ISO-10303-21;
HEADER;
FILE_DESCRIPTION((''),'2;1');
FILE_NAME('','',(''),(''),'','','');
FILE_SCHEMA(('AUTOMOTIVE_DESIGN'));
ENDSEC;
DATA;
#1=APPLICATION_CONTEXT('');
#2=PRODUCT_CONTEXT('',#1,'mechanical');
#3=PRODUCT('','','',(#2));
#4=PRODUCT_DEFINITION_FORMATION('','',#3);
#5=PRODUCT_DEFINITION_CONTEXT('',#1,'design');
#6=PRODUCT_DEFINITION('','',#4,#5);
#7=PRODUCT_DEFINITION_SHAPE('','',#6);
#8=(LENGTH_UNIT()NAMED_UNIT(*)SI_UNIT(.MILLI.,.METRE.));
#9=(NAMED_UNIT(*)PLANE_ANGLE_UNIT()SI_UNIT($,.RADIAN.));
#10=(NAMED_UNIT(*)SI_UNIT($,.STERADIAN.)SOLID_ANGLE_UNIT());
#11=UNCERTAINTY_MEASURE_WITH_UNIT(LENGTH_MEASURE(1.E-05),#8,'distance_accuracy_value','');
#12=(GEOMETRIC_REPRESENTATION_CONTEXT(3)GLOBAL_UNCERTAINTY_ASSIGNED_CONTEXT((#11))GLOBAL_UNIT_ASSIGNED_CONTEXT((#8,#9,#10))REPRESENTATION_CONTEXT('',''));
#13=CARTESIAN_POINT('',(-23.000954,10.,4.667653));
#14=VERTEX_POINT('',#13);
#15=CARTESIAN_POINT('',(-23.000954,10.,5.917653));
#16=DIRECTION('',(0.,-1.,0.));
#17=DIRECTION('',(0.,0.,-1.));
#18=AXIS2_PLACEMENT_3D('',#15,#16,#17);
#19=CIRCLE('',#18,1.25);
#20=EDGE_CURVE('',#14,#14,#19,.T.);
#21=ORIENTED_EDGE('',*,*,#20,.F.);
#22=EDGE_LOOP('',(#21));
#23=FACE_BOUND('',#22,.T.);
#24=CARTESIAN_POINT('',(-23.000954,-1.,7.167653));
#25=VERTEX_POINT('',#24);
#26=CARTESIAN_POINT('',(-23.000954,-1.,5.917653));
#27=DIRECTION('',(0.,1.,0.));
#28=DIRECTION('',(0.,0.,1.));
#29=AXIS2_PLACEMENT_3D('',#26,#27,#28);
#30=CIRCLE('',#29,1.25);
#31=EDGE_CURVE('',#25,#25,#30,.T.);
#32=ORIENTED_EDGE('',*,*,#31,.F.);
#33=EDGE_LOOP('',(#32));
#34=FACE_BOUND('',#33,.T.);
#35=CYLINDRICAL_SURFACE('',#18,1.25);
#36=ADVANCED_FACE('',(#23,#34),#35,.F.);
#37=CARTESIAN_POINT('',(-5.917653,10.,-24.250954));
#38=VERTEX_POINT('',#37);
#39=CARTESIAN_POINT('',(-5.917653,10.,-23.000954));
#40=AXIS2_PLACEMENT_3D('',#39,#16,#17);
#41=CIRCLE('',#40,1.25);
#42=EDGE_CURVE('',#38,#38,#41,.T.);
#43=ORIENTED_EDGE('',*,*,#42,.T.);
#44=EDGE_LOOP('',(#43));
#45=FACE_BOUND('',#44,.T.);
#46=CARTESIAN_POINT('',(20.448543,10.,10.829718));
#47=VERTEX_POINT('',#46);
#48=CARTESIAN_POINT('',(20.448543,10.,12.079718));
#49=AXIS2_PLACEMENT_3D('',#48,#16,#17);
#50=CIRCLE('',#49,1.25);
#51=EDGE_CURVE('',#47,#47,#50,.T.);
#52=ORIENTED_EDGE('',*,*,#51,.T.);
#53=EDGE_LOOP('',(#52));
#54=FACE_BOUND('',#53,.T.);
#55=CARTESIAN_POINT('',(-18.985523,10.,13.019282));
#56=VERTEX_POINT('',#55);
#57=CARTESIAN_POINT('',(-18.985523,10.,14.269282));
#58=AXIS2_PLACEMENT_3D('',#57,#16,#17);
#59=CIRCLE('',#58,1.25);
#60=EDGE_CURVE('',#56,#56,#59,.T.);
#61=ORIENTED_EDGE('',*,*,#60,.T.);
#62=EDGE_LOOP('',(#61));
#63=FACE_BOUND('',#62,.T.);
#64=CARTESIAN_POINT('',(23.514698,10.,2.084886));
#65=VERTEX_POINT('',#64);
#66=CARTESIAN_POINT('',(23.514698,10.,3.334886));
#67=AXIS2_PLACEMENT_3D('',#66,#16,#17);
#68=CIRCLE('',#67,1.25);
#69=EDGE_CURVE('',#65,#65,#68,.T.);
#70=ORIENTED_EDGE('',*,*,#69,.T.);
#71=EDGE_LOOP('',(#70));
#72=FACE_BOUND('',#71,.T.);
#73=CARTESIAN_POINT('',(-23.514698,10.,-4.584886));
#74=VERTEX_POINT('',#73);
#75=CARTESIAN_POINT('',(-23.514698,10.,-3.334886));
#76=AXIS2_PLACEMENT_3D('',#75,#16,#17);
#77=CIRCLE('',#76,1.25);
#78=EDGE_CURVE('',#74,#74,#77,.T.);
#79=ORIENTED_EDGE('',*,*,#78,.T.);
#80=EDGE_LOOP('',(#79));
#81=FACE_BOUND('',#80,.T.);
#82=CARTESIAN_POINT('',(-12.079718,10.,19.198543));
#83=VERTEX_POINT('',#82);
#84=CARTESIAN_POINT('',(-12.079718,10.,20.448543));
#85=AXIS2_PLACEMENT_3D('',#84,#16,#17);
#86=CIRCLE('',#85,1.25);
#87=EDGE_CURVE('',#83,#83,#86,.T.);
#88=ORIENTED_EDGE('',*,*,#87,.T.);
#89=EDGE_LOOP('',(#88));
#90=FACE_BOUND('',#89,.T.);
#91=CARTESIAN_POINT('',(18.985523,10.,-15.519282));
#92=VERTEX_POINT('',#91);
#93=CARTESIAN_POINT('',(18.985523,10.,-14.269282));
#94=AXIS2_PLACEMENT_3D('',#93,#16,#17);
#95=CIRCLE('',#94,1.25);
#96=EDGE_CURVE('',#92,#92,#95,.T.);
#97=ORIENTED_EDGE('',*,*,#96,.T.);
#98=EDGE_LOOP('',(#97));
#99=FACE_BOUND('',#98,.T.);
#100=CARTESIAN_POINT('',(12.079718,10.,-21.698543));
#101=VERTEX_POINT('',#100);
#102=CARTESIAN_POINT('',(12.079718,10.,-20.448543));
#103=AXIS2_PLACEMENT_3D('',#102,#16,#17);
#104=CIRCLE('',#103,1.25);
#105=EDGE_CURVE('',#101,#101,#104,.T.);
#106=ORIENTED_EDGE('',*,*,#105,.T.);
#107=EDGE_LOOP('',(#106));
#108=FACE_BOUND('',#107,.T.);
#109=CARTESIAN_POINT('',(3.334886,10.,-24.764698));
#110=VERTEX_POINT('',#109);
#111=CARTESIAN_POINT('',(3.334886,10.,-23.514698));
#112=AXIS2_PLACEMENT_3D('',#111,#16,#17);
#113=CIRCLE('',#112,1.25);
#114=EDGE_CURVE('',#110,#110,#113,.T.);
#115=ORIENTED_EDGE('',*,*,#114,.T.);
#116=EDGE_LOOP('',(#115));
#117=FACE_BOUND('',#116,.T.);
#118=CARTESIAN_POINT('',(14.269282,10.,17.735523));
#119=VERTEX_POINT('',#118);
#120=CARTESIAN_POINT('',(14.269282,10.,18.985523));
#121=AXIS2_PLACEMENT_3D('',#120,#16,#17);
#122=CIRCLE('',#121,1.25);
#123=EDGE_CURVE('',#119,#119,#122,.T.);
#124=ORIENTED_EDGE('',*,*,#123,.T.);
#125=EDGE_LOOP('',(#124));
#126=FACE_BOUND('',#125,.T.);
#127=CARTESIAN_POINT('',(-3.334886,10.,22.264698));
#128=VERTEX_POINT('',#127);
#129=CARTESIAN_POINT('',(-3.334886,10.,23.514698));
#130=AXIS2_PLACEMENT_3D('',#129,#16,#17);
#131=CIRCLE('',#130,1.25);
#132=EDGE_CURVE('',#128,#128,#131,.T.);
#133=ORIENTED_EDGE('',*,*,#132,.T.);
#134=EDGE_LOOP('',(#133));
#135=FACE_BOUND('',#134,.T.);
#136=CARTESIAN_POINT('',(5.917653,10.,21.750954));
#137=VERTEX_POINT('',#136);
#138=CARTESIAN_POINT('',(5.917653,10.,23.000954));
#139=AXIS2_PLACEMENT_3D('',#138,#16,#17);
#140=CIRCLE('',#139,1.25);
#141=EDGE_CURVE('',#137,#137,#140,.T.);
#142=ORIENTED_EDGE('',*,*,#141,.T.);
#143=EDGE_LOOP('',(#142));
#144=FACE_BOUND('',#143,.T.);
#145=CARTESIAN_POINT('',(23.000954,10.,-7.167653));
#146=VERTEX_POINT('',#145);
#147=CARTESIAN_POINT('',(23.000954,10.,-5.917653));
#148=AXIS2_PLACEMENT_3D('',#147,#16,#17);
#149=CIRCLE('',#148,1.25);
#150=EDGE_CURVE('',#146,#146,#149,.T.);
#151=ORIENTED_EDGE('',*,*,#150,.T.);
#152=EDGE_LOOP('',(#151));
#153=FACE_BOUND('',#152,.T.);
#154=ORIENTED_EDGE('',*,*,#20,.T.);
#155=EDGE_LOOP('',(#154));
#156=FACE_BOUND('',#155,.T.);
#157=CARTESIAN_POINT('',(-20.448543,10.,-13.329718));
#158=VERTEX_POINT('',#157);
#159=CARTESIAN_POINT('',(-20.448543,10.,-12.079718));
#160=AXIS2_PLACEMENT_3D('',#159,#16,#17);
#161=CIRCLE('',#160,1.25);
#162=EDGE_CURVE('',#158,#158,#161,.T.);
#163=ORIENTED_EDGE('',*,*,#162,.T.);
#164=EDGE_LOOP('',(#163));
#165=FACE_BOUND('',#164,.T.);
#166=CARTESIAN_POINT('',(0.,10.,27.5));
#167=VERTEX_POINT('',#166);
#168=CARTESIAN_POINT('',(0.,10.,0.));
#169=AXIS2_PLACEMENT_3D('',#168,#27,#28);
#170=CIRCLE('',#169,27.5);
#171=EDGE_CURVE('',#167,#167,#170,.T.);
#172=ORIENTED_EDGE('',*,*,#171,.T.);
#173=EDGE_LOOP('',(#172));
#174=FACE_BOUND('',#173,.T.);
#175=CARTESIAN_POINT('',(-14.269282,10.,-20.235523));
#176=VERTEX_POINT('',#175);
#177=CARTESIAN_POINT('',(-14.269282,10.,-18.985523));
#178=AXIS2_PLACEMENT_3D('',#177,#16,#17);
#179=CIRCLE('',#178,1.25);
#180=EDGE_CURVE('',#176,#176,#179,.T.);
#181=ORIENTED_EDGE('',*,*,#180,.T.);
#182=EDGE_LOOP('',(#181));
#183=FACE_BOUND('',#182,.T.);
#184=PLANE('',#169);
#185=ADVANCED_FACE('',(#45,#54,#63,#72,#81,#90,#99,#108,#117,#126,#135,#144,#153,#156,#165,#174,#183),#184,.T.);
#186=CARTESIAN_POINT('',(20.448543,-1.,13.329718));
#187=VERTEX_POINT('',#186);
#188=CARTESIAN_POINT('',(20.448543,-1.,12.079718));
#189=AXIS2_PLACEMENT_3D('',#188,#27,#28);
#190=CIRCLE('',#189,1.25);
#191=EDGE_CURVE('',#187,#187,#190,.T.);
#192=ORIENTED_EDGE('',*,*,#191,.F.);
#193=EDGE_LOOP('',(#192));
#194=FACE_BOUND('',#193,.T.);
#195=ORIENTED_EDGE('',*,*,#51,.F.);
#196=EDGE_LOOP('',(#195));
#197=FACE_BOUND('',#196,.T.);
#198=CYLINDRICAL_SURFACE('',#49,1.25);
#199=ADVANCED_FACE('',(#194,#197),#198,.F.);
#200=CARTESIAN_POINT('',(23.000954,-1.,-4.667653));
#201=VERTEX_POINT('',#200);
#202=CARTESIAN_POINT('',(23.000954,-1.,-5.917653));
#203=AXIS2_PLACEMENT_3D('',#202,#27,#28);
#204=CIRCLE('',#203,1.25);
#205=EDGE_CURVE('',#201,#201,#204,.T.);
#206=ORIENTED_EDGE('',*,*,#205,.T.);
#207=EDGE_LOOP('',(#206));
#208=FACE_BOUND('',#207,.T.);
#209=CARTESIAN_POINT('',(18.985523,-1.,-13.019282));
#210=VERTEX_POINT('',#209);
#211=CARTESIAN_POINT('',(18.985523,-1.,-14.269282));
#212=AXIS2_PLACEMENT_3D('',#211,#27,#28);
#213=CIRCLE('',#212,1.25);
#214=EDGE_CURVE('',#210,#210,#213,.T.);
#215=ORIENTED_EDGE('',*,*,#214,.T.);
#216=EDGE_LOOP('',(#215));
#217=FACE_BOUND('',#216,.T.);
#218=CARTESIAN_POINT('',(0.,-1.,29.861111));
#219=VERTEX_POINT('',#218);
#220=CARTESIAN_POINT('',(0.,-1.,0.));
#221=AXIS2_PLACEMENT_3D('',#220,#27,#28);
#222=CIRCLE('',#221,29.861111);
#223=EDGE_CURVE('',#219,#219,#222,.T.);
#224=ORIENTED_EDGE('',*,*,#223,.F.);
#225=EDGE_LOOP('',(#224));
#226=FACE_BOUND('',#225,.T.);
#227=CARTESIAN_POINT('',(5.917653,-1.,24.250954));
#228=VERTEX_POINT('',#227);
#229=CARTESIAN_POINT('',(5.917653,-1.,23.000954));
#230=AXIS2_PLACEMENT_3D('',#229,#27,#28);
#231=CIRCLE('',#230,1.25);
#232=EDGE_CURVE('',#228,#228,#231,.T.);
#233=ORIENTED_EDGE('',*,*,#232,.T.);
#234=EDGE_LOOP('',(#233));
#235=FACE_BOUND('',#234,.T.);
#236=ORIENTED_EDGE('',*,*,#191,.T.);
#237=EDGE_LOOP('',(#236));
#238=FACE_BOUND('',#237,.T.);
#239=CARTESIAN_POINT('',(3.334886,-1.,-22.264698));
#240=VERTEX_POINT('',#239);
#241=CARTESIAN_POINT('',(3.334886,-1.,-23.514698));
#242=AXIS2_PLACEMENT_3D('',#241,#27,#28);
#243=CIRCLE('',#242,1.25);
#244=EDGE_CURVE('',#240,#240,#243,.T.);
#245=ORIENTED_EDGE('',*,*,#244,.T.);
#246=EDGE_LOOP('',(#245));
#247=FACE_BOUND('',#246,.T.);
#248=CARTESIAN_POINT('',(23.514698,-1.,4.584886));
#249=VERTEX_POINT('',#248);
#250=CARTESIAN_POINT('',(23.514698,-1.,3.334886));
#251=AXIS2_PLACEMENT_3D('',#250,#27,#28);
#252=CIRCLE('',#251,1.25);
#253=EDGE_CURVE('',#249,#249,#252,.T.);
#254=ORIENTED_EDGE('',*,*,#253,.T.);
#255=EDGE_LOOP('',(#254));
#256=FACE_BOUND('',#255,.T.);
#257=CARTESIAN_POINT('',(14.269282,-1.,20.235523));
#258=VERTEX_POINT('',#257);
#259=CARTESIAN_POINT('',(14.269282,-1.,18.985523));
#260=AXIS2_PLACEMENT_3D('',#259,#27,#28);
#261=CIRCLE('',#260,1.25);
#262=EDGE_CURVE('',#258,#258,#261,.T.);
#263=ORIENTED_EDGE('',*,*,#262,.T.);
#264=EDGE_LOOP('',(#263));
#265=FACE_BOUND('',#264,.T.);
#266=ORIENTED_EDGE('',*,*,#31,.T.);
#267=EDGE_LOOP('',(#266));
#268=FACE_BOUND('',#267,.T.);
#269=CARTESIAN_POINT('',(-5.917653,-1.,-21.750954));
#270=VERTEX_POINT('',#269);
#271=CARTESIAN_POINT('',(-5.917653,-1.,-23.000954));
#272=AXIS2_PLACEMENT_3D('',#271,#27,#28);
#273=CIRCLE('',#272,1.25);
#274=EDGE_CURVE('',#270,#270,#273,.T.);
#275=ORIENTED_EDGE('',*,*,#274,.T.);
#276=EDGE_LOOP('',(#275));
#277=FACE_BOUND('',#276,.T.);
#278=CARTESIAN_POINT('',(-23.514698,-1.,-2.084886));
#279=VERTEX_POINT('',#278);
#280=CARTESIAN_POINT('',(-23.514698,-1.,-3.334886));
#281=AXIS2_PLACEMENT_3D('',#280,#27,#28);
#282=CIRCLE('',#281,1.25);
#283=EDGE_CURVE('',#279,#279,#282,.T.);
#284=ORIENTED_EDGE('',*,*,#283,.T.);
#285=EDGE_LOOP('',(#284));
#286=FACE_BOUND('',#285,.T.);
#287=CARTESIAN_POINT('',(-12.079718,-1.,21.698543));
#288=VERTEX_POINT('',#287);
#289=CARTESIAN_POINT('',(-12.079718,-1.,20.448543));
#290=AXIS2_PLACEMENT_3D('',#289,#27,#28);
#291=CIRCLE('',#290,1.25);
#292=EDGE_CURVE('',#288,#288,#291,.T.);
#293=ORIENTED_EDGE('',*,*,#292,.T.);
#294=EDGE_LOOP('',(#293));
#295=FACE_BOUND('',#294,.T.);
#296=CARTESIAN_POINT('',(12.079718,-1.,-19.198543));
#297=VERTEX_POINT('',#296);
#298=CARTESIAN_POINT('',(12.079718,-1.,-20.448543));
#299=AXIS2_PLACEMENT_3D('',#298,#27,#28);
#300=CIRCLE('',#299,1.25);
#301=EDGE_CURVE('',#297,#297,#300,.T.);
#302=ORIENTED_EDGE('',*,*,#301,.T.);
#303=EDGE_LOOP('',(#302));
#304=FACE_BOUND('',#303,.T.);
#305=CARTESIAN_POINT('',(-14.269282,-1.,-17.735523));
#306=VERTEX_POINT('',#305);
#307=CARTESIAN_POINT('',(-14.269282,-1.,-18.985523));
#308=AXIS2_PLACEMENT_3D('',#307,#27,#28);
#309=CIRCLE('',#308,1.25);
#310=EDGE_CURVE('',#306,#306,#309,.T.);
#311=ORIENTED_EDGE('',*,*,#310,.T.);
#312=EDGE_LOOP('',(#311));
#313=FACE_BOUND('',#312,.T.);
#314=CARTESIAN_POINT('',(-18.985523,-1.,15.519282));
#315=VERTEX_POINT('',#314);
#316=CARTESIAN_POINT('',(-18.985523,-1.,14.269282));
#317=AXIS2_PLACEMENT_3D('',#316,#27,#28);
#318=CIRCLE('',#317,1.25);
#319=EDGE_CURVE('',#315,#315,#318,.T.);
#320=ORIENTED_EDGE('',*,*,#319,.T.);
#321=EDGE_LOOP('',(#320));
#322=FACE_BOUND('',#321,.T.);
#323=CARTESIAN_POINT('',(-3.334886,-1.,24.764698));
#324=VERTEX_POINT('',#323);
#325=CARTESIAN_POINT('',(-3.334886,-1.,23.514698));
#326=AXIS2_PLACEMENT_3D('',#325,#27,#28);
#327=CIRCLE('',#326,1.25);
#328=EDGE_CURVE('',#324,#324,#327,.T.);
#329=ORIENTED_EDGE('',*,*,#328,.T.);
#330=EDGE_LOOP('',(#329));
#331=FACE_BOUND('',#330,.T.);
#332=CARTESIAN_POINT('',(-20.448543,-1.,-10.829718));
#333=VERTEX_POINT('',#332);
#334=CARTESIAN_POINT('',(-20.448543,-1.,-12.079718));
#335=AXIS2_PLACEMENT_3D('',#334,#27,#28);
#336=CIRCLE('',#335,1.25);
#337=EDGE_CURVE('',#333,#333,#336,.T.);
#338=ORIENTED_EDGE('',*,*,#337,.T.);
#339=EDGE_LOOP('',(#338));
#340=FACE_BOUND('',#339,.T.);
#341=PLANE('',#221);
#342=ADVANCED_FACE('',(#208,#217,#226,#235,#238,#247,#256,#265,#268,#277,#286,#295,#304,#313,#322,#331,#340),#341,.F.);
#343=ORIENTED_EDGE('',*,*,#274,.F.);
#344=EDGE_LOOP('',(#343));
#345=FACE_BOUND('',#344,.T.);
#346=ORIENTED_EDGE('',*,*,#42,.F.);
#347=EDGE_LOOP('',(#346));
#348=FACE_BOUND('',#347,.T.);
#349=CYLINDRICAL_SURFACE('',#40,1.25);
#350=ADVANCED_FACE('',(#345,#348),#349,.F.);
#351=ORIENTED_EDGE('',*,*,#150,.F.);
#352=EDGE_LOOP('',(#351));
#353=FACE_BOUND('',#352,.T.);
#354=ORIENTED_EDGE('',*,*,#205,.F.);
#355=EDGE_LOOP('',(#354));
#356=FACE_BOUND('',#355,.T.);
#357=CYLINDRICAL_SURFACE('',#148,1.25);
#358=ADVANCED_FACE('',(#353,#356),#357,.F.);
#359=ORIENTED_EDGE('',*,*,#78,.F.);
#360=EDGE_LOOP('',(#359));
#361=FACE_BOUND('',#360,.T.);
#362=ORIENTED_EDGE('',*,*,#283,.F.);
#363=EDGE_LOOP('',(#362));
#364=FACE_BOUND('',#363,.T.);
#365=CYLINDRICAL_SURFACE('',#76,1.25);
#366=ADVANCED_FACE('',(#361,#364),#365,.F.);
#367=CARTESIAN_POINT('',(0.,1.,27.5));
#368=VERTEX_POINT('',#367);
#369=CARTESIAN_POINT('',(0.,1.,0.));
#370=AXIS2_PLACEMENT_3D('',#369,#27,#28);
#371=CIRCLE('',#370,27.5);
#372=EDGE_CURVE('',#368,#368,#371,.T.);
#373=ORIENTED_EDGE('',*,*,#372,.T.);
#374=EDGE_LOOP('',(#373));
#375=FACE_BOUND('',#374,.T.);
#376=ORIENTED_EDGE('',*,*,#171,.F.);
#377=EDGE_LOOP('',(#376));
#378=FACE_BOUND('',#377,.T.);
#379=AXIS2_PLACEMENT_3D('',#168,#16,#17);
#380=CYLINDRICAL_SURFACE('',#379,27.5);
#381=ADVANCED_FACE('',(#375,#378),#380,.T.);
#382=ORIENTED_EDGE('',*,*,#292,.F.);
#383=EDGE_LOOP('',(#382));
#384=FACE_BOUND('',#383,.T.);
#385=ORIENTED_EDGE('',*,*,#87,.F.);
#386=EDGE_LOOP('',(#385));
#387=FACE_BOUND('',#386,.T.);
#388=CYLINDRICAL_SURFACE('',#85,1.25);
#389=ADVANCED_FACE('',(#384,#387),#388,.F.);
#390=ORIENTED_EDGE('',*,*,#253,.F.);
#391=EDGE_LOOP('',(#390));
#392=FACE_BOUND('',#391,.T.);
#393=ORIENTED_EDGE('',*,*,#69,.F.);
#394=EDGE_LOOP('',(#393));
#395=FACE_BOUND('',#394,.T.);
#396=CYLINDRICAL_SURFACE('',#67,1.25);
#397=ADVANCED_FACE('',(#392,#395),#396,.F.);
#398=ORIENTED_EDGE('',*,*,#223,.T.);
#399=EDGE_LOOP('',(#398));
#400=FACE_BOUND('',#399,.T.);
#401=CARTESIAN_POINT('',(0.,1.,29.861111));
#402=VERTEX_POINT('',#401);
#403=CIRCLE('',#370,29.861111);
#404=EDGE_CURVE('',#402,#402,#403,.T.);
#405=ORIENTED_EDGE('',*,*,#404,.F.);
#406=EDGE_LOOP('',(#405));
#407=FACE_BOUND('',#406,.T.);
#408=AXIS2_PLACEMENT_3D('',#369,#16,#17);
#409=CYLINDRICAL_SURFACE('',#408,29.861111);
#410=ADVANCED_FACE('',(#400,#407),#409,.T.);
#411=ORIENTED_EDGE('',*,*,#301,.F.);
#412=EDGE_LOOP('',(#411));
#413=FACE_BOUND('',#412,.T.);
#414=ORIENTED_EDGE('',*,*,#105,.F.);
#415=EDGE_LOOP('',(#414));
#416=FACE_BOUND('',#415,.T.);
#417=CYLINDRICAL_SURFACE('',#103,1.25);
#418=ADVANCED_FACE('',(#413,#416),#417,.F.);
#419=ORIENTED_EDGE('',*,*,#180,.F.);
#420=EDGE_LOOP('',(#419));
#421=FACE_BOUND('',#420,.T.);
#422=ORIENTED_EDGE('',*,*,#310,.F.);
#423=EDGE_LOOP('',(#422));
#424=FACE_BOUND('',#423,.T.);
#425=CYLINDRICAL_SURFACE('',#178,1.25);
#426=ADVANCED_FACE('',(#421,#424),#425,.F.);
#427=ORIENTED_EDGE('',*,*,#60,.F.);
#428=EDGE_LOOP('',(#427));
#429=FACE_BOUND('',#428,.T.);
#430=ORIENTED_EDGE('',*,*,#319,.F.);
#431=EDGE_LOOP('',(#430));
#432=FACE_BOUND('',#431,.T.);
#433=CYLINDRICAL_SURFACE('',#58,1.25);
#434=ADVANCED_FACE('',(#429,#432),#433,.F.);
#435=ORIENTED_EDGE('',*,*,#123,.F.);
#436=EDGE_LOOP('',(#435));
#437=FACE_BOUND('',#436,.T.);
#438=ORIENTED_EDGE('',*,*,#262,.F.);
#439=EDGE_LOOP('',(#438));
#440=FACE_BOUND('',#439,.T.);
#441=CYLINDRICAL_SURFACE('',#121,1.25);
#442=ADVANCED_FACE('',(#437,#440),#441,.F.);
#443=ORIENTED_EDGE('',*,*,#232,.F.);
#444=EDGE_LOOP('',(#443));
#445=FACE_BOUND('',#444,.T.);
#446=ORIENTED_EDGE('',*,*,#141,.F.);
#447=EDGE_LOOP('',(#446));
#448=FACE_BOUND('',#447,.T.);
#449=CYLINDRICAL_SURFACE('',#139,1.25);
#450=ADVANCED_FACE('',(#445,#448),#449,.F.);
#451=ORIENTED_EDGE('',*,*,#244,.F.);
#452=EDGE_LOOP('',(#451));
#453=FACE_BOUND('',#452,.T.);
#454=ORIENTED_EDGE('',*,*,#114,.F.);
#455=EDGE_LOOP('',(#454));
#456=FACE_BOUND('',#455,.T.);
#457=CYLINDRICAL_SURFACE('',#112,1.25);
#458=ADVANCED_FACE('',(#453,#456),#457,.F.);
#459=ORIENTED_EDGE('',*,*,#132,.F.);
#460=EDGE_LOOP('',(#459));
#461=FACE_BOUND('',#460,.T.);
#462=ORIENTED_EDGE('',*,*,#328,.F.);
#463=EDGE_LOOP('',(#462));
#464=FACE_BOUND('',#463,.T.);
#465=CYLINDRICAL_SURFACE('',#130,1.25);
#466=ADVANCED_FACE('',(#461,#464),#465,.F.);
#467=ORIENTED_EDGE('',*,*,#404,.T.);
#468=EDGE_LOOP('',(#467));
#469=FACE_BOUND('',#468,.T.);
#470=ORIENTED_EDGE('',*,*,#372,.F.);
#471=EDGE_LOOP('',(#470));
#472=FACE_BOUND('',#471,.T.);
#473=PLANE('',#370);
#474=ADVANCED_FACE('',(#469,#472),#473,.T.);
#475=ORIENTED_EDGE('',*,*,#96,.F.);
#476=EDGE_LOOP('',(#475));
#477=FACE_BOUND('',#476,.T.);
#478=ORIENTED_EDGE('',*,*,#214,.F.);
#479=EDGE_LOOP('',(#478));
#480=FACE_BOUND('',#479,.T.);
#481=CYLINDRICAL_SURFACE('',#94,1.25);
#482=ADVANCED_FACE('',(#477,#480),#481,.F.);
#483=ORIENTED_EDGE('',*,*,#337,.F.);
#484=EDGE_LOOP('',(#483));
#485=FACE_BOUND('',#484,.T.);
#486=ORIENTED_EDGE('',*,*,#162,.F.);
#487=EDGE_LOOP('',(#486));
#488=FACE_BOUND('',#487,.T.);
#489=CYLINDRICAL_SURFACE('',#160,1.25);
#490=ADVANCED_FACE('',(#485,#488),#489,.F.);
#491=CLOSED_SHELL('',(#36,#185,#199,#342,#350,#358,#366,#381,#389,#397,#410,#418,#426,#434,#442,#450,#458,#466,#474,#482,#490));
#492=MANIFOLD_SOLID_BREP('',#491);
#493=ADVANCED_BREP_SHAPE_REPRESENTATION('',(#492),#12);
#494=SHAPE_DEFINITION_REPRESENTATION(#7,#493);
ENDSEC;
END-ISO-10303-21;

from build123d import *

# Parameters (mm, degrees)
SKETCH1_R               = 29.86111111
BOSS_EXTRUDE1_DEPTH     = 1
SKETCH2_R               = 27.5
BOSS_EXTRUDE2_DEPTH     = 9
CUT_EXTRUDE1_DEPTH      = 44.639109907
CUT_EXTRUDE1_DEPTH_BACK = 44.639109907
SKETCH3_R               = 1.25


with BuildPart() as part:
    # Sketch1 → Boss-Extrude1 (new, symmetric)
    with BuildSketch(Plane(origin=(0, 0, 0), x_dir=(1, 0, 0), z_dir=(0, 1, 0))):
        with Locations(Location((0, 0, 0), (0, 0, 270))):
            Circle(SKETCH1_R)
    extrude(amount=BOSS_EXTRUDE1_DEPTH, both=True)

    # Sketch2 → Boss-Extrude2 (add)
    with BuildSketch(Plane(origin=(0, 1, 0), x_dir=(1, 0, 0), z_dir=(0, 1, 0))):
        with Locations(Location((0, 0, 0), (0, 0, 270))):
            Circle(SKETCH2_R)
    extrude(amount=BOSS_EXTRUDE2_DEPTH)

    # Sketch3 → Cut-Extrude1 (cut, two sides: drawn at the far end of the back side and taken through both)
    with BuildSketch(Plane.XZ.offset(1).offset(-CUT_EXTRUDE1_DEPTH_BACK)):
        with Locations(Location((23.000954051, -5.917652637, 0), (0, 0, 270))):
            Circle(SKETCH3_R)
        with Locations(Location((23.514698299, 3.334885892, 0), (0, 0, 270))):
            Circle(SKETCH3_R)
        with Locations(Location((20.448542892, 12.079718275, 0), (0, 0, 270))):
            Circle(SKETCH3_R)
        with Locations(Location((14.269282196, 18.985523054, 0), (0, 0, 270))):
            Circle(SKETCH3_R)
        with Locations(Location((18.985523054, -14.269282196, 0), (0, 0, 270))):
            Circle(SKETCH3_R)
        with Locations(Location((5.917652637, 23.000954051, 0), (0, 0, 270))):
            Circle(SKETCH3_R)
        with Locations(Location((-3.334885892, 23.514698299, 0), (0, 0, 270))):
            Circle(SKETCH3_R)
        with Locations(Location((-12.079718275, 20.448542892, 0), (0, 0, 270))):
            Circle(SKETCH3_R)
        with Locations(Location((-18.985523054, 14.269282196, 0), (0, 0, 270))):
            Circle(SKETCH3_R)
        with Locations(Location((-23.000954051, 5.917652637, 0), (0, 0, 270))):
            Circle(SKETCH3_R)
        with Locations(Location((-23.514698299, -3.334885892, 0), (0, 0, 270))):
            Circle(SKETCH3_R)
        with Locations(Location((12.079718275, -20.448542892, 0), (0, 0, 270))):
            Circle(SKETCH3_R)
        with Locations(Location((3.334885892, -23.514698299, 0), (0, 0, 270))):
            Circle(SKETCH3_R)
        with Locations(Location((-5.917652637, -23.000954051, 0), (0, 0, 270))):
            Circle(SKETCH3_R)
        with Locations(Location((-14.269282196, -18.985523054, 0), (0, 0, 270))):
            Circle(SKETCH3_R)
        with Locations(Location((-20.448542892, -12.079718275, 0), (0, 0, 270))):
            Circle(SKETCH3_R)
    extrude(amount=CUT_EXTRUDE1_DEPTH + CUT_EXTRUDE1_DEPTH_BACK, mode=Mode.SUBTRACT)


solid = part.part
